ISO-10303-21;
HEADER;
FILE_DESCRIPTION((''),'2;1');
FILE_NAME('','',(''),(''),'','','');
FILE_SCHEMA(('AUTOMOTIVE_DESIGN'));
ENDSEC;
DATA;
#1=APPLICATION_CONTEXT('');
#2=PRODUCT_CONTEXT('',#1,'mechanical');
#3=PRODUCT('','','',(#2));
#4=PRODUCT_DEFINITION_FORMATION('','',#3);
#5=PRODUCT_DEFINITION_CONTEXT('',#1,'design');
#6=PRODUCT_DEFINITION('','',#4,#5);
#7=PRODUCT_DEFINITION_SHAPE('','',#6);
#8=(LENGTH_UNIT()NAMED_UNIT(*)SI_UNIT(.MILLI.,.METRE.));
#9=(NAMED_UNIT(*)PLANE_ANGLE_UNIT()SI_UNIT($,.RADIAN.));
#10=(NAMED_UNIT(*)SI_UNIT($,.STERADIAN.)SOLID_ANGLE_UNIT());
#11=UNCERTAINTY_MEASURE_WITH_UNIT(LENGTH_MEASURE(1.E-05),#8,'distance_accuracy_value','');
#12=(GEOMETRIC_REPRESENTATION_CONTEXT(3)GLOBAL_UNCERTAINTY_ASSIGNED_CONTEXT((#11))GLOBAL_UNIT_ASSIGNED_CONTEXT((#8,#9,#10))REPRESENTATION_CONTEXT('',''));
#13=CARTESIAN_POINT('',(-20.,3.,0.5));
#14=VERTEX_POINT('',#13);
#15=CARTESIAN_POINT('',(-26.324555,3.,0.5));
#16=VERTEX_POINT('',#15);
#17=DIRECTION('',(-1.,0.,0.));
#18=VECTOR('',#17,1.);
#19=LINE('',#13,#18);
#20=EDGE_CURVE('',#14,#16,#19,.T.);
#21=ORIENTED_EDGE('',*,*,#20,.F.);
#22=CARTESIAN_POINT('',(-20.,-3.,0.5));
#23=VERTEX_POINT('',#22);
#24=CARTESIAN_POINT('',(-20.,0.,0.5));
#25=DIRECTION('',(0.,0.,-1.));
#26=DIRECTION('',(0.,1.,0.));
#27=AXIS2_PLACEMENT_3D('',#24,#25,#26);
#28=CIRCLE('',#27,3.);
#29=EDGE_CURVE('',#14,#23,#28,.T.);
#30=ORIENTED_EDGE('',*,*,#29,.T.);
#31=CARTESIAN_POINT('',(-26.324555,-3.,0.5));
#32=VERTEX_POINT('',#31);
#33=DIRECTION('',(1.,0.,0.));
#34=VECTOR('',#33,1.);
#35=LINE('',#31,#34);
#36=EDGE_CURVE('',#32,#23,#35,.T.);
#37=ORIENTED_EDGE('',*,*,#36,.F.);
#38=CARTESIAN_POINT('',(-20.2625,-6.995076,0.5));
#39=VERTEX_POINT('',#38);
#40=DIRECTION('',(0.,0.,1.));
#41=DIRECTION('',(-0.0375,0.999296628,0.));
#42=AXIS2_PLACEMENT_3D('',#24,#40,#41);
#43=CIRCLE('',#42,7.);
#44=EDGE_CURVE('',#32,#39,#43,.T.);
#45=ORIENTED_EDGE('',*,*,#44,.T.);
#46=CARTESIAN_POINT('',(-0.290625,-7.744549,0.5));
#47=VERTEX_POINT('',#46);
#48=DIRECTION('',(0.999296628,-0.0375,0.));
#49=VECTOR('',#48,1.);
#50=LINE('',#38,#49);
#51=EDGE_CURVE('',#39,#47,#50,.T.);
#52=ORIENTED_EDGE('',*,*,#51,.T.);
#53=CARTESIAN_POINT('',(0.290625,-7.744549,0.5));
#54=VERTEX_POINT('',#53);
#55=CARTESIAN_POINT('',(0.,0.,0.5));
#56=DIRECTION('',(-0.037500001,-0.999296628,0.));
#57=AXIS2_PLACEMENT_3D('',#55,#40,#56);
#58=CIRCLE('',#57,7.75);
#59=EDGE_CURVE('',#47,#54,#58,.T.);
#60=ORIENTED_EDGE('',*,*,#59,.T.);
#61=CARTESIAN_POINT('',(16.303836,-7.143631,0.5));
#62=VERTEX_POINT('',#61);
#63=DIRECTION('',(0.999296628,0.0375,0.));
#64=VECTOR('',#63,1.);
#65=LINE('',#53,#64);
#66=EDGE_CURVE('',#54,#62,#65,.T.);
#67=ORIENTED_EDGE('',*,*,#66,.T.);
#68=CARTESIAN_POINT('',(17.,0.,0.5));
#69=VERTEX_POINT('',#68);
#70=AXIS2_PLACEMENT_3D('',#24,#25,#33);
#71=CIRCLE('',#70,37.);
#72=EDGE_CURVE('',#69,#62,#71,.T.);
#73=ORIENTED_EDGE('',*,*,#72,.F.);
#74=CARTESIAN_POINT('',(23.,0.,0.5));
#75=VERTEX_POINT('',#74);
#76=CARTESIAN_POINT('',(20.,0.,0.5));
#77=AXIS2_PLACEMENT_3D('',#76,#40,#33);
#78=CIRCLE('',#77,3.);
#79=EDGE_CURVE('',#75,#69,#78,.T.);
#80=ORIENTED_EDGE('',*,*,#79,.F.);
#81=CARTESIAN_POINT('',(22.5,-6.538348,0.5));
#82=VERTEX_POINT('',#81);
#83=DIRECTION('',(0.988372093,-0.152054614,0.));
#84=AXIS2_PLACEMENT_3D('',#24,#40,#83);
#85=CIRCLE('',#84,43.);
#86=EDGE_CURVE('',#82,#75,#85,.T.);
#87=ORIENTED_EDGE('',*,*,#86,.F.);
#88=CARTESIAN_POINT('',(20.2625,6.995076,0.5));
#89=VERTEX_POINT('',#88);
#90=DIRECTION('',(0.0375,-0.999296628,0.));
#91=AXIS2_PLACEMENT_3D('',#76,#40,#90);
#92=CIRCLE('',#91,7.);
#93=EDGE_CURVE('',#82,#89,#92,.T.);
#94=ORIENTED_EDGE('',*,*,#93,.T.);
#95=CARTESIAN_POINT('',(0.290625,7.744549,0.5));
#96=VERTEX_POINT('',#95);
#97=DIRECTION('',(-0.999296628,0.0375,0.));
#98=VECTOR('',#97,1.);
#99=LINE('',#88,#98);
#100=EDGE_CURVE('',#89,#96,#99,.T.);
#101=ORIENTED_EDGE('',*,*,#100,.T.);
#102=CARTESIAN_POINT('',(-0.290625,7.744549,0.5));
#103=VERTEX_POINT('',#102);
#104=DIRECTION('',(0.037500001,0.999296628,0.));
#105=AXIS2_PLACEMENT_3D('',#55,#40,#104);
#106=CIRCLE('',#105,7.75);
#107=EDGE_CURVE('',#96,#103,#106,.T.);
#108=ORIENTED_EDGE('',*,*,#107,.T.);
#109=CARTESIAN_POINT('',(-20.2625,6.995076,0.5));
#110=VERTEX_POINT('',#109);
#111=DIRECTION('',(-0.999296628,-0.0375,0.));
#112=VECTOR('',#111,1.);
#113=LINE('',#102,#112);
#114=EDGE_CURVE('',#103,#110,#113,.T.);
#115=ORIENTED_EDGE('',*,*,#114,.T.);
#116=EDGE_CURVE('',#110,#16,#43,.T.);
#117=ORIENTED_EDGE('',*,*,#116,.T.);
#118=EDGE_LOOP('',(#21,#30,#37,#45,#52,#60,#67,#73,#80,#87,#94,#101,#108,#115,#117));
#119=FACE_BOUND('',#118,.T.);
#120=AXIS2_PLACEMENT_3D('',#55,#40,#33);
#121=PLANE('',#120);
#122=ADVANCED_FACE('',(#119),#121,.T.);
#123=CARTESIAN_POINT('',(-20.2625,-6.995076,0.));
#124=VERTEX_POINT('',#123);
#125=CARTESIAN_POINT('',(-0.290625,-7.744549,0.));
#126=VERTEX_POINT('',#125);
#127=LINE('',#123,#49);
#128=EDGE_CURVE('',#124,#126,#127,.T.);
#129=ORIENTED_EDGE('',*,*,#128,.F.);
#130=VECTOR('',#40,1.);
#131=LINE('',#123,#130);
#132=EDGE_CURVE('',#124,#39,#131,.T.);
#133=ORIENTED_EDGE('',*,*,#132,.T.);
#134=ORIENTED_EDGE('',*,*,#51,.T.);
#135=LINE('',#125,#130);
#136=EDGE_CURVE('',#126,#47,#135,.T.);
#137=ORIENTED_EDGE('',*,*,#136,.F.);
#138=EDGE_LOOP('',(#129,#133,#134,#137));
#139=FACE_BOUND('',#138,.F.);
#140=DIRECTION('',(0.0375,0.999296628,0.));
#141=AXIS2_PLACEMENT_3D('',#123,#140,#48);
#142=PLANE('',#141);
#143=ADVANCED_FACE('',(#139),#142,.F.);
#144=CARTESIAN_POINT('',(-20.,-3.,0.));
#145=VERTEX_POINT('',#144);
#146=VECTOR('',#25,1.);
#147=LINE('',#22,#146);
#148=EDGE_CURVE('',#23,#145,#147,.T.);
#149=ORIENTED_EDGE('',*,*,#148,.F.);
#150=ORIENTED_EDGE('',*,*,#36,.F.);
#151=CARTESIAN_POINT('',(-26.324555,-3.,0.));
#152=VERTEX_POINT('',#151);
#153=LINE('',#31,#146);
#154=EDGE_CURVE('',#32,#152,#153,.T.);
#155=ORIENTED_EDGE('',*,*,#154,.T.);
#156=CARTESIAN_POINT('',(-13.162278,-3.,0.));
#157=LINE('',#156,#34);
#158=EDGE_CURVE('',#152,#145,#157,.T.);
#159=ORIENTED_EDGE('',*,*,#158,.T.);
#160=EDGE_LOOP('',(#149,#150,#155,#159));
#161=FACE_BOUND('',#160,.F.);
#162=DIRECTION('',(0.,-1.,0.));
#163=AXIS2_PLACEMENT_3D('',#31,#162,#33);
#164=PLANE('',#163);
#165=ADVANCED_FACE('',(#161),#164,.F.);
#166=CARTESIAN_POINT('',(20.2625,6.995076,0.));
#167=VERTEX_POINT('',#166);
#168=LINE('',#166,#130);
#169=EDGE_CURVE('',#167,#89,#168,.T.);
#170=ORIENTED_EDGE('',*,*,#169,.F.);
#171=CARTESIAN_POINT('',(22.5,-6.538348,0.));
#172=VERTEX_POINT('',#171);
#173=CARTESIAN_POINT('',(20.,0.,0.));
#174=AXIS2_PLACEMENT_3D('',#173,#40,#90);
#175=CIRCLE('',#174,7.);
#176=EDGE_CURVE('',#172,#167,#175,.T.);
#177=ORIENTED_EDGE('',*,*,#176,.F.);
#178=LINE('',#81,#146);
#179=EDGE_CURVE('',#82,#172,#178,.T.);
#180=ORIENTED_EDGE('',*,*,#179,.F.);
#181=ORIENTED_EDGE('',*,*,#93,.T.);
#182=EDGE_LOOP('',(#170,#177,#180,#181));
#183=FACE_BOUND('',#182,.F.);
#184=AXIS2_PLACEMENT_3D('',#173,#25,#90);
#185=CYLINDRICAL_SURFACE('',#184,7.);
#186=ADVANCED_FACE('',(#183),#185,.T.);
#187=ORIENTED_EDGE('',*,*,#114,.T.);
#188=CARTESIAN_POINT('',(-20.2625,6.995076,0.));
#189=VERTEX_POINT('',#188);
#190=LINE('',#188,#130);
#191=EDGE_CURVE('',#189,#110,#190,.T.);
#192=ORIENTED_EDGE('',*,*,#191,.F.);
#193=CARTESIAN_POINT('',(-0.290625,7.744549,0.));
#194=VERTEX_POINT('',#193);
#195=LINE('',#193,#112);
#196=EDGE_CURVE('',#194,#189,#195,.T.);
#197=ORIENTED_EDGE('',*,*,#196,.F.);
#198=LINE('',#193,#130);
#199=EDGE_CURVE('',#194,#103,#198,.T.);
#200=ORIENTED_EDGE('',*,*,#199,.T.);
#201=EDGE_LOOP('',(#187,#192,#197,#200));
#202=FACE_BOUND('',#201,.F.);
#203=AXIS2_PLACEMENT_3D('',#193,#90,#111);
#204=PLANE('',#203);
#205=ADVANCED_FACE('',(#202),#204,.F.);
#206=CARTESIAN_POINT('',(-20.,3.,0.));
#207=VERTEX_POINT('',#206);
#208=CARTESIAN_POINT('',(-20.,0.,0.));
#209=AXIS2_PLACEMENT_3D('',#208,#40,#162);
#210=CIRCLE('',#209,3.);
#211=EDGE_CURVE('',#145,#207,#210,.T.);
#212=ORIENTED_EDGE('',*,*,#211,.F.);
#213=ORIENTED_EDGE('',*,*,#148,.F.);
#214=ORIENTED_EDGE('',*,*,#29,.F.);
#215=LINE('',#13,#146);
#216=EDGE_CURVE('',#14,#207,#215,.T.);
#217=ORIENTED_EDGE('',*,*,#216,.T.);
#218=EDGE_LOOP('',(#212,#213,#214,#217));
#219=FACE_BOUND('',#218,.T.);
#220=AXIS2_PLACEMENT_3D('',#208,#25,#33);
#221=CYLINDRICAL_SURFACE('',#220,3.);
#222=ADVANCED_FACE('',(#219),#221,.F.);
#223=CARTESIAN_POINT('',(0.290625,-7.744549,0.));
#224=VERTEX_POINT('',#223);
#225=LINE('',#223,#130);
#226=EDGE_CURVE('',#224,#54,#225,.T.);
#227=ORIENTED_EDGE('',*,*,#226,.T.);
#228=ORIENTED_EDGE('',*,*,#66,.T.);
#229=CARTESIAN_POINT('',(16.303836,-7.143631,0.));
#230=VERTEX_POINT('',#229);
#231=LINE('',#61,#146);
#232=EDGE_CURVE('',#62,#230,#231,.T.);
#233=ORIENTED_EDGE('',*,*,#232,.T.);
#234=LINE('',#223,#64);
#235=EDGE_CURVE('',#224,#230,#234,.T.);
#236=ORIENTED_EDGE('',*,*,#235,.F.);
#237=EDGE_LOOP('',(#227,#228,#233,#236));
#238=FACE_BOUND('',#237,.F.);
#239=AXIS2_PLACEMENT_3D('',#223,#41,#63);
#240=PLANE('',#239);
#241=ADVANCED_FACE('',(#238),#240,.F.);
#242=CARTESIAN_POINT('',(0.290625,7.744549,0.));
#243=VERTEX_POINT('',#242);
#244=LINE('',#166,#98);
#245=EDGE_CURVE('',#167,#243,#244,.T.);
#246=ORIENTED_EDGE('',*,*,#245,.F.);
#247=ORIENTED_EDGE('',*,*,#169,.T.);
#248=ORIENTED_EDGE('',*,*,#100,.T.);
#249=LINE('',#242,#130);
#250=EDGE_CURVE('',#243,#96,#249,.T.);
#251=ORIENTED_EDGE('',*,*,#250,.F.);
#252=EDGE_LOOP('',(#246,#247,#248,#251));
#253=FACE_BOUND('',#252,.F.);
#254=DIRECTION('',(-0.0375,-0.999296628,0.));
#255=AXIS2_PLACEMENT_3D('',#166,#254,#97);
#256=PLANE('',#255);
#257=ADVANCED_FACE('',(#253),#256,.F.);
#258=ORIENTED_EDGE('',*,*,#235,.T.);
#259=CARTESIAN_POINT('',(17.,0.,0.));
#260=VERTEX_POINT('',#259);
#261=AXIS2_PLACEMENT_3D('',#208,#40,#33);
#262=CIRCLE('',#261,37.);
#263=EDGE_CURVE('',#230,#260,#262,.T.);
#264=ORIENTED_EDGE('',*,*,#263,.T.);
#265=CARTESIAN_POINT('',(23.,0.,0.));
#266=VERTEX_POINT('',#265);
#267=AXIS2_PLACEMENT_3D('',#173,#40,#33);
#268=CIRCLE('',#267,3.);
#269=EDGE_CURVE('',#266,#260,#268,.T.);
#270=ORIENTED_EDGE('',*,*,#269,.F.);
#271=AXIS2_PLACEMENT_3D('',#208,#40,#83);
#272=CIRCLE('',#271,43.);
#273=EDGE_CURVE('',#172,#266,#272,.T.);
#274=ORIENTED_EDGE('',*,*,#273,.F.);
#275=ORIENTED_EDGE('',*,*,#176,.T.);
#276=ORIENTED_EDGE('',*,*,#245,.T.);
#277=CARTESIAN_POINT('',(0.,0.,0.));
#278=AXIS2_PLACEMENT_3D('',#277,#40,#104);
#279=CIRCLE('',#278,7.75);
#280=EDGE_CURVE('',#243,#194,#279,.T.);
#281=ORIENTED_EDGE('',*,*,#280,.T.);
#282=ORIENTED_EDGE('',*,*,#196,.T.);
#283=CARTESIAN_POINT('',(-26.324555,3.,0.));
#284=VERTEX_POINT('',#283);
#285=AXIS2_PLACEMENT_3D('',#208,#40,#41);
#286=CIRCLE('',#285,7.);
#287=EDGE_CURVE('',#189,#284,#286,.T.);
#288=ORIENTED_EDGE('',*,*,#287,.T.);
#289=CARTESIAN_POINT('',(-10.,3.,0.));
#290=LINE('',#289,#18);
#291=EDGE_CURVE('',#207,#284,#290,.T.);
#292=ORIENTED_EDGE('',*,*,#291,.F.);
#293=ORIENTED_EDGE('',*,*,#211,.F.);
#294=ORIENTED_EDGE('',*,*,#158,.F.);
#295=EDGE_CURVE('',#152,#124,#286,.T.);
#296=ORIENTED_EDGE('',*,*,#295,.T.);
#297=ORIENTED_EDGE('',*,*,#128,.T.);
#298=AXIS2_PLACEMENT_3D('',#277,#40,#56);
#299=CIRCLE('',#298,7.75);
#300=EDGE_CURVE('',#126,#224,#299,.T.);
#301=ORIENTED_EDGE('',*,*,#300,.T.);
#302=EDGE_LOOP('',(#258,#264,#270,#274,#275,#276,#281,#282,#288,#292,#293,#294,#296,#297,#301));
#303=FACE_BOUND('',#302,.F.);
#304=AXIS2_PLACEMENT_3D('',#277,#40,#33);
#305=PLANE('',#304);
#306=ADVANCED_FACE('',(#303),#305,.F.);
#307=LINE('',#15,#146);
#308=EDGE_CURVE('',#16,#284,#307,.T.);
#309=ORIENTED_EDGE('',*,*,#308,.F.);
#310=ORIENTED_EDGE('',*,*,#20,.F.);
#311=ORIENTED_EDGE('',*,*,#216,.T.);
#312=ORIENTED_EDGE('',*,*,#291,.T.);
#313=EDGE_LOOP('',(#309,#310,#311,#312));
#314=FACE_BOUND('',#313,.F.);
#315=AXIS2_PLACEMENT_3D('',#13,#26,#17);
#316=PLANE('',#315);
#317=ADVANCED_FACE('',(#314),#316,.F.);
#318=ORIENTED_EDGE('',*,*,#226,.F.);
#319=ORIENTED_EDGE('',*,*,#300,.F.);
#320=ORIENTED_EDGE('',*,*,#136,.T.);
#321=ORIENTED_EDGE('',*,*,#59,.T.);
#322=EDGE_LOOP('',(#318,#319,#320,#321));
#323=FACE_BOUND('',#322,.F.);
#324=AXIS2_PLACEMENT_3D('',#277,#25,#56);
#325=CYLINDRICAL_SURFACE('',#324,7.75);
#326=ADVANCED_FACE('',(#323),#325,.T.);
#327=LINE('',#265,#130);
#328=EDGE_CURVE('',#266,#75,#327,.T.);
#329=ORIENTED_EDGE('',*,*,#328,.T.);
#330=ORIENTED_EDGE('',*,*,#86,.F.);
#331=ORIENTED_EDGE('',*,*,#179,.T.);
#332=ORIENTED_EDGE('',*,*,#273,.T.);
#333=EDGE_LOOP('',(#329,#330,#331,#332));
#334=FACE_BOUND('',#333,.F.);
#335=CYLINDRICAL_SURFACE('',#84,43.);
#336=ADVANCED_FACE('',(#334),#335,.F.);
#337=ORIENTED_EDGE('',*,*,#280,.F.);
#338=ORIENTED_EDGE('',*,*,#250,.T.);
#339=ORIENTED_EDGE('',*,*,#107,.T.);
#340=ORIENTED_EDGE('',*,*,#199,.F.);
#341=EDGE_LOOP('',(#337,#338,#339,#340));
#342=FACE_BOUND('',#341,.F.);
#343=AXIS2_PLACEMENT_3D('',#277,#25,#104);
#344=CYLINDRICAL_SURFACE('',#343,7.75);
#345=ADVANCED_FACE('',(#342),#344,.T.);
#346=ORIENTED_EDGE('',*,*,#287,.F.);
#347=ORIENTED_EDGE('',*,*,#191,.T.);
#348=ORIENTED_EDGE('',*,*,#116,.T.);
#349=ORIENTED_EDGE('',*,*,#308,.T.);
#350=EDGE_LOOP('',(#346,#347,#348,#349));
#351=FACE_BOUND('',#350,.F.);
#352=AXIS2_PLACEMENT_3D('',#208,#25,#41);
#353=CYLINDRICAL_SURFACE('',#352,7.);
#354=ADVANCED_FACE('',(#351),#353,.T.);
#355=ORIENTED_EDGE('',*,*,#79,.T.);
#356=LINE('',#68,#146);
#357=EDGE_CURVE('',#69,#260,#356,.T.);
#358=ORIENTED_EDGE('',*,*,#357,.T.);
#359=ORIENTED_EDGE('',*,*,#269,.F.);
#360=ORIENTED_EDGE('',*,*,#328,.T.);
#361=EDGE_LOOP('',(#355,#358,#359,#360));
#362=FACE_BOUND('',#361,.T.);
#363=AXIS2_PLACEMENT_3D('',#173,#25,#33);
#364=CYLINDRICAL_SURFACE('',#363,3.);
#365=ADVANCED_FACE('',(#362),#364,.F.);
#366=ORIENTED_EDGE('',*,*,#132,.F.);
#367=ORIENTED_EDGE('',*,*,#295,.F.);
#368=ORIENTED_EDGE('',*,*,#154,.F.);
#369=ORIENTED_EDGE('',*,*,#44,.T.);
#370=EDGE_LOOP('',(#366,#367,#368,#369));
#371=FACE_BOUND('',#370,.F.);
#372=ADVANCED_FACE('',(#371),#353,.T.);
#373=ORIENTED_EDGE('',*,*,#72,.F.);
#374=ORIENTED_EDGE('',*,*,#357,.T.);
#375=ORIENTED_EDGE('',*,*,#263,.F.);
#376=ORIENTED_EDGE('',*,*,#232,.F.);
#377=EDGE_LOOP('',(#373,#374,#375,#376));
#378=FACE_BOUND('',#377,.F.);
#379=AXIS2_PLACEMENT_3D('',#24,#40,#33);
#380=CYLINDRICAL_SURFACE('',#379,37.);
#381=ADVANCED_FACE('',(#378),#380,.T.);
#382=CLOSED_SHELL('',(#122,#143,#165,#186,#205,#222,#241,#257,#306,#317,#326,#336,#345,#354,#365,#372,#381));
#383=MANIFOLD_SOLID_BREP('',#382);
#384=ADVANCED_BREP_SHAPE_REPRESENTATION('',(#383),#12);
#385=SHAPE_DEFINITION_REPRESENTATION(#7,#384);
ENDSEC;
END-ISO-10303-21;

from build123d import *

# Parameters (mm, degrees)
SZKIC1_R                    = 3
DODANIE_WYCI_GNI_CIE1_DEPTH = 0.5
WYTNIJ_WYCI_GNI_CIE1_DEPTH  = 1.5
WYTNIJ_WYCI_GNI_CIE3_DEPTH  = 1.5


with BuildPart() as part:
    # Szkic1 → Dodanie-wyciągnięcie1 (new body)
    with BuildSketch(Plane.XY):
        with BuildLine():
            Line((-0.290625, 7.744548864), (-20.2625, 6.995076393))
            ThreePointArc((-20.2625, 6.995076393), (-27, 0), (-20.2625, -6.995076393))
            Line((-20.2625, -6.995076393), (-0.290625, -7.744548864))
            ThreePointArc((-0.290625, -7.744548864), (0, -7.75), (0.290625, -7.744548864))
            Line((0.290625, -7.744548864), (20.2625, -6.995076393))
            ThreePointArc((20.2625, -6.995076393), (27, 0), (20.2625, 6.995076393))
            Line((20.2625, 6.995076393), (0.290625, 7.744548864))
            ThreePointArc((0.290625, 7.744548864), (0, 7.75), (-0.290625, 7.744548864))
        make_face()
        with Locations((-20, 0)):
            Circle(SZKIC1_R, mode=Mode.SUBTRACT)
        with Locations((20, 0)):
            Circle(SZKIC1_R, mode=Mode.SUBTRACT)
    extrude(amount=DODANIE_WYCI_GNI_CIE1_DEPTH)

    # Szkic2 → Wytnij-wyciągnięcie1 (cut, through all)
    with BuildSketch(Plane.XY.offset(0.5)):
        with BuildLine():
            Line((-20, 3), (-26.32455532, 3))
            ThreePointArc((-26.32455532, 3), (-27, 0), (-26.32455532, -3))
            Line((-26.32455532, -3), (-20, -3))
            ThreePointArc((-20, -3), (-23, 0), (-20, 3))
        make_face()
    extrude(amount=-WYTNIJ_WYCI_GNI_CIE1_DEPTH, mode=Mode.SUBTRACT)

    # Szkic3 → Wytnij-wyciągnięcie3 (cut, through all)
    with BuildSketch(Plane.XY.offset(0.5)):
        with BuildLine():
            ThreePointArc((17, 0), (16.825547843, -3.588735998), (16.303836429, -7.143630766))
            Line((16.303836429, -7.143630766), (20.2625, -6.995076393))
            ThreePointArc((20.2625, -6.995076393), (21.400000598, -6.858571158), (22.5, -6.538348415))
            ThreePointArc((22.5, -6.538348415), (22.874817784, -3.278719262), (23, 0))
            ThreePointArc((23, 0), (20, -3), (17, 0))
        make_face()
    extrude(amount=-WYTNIJ_WYCI_GNI_CIE3_DEPTH, mode=Mode.SUBTRACT)


solid = part.part
